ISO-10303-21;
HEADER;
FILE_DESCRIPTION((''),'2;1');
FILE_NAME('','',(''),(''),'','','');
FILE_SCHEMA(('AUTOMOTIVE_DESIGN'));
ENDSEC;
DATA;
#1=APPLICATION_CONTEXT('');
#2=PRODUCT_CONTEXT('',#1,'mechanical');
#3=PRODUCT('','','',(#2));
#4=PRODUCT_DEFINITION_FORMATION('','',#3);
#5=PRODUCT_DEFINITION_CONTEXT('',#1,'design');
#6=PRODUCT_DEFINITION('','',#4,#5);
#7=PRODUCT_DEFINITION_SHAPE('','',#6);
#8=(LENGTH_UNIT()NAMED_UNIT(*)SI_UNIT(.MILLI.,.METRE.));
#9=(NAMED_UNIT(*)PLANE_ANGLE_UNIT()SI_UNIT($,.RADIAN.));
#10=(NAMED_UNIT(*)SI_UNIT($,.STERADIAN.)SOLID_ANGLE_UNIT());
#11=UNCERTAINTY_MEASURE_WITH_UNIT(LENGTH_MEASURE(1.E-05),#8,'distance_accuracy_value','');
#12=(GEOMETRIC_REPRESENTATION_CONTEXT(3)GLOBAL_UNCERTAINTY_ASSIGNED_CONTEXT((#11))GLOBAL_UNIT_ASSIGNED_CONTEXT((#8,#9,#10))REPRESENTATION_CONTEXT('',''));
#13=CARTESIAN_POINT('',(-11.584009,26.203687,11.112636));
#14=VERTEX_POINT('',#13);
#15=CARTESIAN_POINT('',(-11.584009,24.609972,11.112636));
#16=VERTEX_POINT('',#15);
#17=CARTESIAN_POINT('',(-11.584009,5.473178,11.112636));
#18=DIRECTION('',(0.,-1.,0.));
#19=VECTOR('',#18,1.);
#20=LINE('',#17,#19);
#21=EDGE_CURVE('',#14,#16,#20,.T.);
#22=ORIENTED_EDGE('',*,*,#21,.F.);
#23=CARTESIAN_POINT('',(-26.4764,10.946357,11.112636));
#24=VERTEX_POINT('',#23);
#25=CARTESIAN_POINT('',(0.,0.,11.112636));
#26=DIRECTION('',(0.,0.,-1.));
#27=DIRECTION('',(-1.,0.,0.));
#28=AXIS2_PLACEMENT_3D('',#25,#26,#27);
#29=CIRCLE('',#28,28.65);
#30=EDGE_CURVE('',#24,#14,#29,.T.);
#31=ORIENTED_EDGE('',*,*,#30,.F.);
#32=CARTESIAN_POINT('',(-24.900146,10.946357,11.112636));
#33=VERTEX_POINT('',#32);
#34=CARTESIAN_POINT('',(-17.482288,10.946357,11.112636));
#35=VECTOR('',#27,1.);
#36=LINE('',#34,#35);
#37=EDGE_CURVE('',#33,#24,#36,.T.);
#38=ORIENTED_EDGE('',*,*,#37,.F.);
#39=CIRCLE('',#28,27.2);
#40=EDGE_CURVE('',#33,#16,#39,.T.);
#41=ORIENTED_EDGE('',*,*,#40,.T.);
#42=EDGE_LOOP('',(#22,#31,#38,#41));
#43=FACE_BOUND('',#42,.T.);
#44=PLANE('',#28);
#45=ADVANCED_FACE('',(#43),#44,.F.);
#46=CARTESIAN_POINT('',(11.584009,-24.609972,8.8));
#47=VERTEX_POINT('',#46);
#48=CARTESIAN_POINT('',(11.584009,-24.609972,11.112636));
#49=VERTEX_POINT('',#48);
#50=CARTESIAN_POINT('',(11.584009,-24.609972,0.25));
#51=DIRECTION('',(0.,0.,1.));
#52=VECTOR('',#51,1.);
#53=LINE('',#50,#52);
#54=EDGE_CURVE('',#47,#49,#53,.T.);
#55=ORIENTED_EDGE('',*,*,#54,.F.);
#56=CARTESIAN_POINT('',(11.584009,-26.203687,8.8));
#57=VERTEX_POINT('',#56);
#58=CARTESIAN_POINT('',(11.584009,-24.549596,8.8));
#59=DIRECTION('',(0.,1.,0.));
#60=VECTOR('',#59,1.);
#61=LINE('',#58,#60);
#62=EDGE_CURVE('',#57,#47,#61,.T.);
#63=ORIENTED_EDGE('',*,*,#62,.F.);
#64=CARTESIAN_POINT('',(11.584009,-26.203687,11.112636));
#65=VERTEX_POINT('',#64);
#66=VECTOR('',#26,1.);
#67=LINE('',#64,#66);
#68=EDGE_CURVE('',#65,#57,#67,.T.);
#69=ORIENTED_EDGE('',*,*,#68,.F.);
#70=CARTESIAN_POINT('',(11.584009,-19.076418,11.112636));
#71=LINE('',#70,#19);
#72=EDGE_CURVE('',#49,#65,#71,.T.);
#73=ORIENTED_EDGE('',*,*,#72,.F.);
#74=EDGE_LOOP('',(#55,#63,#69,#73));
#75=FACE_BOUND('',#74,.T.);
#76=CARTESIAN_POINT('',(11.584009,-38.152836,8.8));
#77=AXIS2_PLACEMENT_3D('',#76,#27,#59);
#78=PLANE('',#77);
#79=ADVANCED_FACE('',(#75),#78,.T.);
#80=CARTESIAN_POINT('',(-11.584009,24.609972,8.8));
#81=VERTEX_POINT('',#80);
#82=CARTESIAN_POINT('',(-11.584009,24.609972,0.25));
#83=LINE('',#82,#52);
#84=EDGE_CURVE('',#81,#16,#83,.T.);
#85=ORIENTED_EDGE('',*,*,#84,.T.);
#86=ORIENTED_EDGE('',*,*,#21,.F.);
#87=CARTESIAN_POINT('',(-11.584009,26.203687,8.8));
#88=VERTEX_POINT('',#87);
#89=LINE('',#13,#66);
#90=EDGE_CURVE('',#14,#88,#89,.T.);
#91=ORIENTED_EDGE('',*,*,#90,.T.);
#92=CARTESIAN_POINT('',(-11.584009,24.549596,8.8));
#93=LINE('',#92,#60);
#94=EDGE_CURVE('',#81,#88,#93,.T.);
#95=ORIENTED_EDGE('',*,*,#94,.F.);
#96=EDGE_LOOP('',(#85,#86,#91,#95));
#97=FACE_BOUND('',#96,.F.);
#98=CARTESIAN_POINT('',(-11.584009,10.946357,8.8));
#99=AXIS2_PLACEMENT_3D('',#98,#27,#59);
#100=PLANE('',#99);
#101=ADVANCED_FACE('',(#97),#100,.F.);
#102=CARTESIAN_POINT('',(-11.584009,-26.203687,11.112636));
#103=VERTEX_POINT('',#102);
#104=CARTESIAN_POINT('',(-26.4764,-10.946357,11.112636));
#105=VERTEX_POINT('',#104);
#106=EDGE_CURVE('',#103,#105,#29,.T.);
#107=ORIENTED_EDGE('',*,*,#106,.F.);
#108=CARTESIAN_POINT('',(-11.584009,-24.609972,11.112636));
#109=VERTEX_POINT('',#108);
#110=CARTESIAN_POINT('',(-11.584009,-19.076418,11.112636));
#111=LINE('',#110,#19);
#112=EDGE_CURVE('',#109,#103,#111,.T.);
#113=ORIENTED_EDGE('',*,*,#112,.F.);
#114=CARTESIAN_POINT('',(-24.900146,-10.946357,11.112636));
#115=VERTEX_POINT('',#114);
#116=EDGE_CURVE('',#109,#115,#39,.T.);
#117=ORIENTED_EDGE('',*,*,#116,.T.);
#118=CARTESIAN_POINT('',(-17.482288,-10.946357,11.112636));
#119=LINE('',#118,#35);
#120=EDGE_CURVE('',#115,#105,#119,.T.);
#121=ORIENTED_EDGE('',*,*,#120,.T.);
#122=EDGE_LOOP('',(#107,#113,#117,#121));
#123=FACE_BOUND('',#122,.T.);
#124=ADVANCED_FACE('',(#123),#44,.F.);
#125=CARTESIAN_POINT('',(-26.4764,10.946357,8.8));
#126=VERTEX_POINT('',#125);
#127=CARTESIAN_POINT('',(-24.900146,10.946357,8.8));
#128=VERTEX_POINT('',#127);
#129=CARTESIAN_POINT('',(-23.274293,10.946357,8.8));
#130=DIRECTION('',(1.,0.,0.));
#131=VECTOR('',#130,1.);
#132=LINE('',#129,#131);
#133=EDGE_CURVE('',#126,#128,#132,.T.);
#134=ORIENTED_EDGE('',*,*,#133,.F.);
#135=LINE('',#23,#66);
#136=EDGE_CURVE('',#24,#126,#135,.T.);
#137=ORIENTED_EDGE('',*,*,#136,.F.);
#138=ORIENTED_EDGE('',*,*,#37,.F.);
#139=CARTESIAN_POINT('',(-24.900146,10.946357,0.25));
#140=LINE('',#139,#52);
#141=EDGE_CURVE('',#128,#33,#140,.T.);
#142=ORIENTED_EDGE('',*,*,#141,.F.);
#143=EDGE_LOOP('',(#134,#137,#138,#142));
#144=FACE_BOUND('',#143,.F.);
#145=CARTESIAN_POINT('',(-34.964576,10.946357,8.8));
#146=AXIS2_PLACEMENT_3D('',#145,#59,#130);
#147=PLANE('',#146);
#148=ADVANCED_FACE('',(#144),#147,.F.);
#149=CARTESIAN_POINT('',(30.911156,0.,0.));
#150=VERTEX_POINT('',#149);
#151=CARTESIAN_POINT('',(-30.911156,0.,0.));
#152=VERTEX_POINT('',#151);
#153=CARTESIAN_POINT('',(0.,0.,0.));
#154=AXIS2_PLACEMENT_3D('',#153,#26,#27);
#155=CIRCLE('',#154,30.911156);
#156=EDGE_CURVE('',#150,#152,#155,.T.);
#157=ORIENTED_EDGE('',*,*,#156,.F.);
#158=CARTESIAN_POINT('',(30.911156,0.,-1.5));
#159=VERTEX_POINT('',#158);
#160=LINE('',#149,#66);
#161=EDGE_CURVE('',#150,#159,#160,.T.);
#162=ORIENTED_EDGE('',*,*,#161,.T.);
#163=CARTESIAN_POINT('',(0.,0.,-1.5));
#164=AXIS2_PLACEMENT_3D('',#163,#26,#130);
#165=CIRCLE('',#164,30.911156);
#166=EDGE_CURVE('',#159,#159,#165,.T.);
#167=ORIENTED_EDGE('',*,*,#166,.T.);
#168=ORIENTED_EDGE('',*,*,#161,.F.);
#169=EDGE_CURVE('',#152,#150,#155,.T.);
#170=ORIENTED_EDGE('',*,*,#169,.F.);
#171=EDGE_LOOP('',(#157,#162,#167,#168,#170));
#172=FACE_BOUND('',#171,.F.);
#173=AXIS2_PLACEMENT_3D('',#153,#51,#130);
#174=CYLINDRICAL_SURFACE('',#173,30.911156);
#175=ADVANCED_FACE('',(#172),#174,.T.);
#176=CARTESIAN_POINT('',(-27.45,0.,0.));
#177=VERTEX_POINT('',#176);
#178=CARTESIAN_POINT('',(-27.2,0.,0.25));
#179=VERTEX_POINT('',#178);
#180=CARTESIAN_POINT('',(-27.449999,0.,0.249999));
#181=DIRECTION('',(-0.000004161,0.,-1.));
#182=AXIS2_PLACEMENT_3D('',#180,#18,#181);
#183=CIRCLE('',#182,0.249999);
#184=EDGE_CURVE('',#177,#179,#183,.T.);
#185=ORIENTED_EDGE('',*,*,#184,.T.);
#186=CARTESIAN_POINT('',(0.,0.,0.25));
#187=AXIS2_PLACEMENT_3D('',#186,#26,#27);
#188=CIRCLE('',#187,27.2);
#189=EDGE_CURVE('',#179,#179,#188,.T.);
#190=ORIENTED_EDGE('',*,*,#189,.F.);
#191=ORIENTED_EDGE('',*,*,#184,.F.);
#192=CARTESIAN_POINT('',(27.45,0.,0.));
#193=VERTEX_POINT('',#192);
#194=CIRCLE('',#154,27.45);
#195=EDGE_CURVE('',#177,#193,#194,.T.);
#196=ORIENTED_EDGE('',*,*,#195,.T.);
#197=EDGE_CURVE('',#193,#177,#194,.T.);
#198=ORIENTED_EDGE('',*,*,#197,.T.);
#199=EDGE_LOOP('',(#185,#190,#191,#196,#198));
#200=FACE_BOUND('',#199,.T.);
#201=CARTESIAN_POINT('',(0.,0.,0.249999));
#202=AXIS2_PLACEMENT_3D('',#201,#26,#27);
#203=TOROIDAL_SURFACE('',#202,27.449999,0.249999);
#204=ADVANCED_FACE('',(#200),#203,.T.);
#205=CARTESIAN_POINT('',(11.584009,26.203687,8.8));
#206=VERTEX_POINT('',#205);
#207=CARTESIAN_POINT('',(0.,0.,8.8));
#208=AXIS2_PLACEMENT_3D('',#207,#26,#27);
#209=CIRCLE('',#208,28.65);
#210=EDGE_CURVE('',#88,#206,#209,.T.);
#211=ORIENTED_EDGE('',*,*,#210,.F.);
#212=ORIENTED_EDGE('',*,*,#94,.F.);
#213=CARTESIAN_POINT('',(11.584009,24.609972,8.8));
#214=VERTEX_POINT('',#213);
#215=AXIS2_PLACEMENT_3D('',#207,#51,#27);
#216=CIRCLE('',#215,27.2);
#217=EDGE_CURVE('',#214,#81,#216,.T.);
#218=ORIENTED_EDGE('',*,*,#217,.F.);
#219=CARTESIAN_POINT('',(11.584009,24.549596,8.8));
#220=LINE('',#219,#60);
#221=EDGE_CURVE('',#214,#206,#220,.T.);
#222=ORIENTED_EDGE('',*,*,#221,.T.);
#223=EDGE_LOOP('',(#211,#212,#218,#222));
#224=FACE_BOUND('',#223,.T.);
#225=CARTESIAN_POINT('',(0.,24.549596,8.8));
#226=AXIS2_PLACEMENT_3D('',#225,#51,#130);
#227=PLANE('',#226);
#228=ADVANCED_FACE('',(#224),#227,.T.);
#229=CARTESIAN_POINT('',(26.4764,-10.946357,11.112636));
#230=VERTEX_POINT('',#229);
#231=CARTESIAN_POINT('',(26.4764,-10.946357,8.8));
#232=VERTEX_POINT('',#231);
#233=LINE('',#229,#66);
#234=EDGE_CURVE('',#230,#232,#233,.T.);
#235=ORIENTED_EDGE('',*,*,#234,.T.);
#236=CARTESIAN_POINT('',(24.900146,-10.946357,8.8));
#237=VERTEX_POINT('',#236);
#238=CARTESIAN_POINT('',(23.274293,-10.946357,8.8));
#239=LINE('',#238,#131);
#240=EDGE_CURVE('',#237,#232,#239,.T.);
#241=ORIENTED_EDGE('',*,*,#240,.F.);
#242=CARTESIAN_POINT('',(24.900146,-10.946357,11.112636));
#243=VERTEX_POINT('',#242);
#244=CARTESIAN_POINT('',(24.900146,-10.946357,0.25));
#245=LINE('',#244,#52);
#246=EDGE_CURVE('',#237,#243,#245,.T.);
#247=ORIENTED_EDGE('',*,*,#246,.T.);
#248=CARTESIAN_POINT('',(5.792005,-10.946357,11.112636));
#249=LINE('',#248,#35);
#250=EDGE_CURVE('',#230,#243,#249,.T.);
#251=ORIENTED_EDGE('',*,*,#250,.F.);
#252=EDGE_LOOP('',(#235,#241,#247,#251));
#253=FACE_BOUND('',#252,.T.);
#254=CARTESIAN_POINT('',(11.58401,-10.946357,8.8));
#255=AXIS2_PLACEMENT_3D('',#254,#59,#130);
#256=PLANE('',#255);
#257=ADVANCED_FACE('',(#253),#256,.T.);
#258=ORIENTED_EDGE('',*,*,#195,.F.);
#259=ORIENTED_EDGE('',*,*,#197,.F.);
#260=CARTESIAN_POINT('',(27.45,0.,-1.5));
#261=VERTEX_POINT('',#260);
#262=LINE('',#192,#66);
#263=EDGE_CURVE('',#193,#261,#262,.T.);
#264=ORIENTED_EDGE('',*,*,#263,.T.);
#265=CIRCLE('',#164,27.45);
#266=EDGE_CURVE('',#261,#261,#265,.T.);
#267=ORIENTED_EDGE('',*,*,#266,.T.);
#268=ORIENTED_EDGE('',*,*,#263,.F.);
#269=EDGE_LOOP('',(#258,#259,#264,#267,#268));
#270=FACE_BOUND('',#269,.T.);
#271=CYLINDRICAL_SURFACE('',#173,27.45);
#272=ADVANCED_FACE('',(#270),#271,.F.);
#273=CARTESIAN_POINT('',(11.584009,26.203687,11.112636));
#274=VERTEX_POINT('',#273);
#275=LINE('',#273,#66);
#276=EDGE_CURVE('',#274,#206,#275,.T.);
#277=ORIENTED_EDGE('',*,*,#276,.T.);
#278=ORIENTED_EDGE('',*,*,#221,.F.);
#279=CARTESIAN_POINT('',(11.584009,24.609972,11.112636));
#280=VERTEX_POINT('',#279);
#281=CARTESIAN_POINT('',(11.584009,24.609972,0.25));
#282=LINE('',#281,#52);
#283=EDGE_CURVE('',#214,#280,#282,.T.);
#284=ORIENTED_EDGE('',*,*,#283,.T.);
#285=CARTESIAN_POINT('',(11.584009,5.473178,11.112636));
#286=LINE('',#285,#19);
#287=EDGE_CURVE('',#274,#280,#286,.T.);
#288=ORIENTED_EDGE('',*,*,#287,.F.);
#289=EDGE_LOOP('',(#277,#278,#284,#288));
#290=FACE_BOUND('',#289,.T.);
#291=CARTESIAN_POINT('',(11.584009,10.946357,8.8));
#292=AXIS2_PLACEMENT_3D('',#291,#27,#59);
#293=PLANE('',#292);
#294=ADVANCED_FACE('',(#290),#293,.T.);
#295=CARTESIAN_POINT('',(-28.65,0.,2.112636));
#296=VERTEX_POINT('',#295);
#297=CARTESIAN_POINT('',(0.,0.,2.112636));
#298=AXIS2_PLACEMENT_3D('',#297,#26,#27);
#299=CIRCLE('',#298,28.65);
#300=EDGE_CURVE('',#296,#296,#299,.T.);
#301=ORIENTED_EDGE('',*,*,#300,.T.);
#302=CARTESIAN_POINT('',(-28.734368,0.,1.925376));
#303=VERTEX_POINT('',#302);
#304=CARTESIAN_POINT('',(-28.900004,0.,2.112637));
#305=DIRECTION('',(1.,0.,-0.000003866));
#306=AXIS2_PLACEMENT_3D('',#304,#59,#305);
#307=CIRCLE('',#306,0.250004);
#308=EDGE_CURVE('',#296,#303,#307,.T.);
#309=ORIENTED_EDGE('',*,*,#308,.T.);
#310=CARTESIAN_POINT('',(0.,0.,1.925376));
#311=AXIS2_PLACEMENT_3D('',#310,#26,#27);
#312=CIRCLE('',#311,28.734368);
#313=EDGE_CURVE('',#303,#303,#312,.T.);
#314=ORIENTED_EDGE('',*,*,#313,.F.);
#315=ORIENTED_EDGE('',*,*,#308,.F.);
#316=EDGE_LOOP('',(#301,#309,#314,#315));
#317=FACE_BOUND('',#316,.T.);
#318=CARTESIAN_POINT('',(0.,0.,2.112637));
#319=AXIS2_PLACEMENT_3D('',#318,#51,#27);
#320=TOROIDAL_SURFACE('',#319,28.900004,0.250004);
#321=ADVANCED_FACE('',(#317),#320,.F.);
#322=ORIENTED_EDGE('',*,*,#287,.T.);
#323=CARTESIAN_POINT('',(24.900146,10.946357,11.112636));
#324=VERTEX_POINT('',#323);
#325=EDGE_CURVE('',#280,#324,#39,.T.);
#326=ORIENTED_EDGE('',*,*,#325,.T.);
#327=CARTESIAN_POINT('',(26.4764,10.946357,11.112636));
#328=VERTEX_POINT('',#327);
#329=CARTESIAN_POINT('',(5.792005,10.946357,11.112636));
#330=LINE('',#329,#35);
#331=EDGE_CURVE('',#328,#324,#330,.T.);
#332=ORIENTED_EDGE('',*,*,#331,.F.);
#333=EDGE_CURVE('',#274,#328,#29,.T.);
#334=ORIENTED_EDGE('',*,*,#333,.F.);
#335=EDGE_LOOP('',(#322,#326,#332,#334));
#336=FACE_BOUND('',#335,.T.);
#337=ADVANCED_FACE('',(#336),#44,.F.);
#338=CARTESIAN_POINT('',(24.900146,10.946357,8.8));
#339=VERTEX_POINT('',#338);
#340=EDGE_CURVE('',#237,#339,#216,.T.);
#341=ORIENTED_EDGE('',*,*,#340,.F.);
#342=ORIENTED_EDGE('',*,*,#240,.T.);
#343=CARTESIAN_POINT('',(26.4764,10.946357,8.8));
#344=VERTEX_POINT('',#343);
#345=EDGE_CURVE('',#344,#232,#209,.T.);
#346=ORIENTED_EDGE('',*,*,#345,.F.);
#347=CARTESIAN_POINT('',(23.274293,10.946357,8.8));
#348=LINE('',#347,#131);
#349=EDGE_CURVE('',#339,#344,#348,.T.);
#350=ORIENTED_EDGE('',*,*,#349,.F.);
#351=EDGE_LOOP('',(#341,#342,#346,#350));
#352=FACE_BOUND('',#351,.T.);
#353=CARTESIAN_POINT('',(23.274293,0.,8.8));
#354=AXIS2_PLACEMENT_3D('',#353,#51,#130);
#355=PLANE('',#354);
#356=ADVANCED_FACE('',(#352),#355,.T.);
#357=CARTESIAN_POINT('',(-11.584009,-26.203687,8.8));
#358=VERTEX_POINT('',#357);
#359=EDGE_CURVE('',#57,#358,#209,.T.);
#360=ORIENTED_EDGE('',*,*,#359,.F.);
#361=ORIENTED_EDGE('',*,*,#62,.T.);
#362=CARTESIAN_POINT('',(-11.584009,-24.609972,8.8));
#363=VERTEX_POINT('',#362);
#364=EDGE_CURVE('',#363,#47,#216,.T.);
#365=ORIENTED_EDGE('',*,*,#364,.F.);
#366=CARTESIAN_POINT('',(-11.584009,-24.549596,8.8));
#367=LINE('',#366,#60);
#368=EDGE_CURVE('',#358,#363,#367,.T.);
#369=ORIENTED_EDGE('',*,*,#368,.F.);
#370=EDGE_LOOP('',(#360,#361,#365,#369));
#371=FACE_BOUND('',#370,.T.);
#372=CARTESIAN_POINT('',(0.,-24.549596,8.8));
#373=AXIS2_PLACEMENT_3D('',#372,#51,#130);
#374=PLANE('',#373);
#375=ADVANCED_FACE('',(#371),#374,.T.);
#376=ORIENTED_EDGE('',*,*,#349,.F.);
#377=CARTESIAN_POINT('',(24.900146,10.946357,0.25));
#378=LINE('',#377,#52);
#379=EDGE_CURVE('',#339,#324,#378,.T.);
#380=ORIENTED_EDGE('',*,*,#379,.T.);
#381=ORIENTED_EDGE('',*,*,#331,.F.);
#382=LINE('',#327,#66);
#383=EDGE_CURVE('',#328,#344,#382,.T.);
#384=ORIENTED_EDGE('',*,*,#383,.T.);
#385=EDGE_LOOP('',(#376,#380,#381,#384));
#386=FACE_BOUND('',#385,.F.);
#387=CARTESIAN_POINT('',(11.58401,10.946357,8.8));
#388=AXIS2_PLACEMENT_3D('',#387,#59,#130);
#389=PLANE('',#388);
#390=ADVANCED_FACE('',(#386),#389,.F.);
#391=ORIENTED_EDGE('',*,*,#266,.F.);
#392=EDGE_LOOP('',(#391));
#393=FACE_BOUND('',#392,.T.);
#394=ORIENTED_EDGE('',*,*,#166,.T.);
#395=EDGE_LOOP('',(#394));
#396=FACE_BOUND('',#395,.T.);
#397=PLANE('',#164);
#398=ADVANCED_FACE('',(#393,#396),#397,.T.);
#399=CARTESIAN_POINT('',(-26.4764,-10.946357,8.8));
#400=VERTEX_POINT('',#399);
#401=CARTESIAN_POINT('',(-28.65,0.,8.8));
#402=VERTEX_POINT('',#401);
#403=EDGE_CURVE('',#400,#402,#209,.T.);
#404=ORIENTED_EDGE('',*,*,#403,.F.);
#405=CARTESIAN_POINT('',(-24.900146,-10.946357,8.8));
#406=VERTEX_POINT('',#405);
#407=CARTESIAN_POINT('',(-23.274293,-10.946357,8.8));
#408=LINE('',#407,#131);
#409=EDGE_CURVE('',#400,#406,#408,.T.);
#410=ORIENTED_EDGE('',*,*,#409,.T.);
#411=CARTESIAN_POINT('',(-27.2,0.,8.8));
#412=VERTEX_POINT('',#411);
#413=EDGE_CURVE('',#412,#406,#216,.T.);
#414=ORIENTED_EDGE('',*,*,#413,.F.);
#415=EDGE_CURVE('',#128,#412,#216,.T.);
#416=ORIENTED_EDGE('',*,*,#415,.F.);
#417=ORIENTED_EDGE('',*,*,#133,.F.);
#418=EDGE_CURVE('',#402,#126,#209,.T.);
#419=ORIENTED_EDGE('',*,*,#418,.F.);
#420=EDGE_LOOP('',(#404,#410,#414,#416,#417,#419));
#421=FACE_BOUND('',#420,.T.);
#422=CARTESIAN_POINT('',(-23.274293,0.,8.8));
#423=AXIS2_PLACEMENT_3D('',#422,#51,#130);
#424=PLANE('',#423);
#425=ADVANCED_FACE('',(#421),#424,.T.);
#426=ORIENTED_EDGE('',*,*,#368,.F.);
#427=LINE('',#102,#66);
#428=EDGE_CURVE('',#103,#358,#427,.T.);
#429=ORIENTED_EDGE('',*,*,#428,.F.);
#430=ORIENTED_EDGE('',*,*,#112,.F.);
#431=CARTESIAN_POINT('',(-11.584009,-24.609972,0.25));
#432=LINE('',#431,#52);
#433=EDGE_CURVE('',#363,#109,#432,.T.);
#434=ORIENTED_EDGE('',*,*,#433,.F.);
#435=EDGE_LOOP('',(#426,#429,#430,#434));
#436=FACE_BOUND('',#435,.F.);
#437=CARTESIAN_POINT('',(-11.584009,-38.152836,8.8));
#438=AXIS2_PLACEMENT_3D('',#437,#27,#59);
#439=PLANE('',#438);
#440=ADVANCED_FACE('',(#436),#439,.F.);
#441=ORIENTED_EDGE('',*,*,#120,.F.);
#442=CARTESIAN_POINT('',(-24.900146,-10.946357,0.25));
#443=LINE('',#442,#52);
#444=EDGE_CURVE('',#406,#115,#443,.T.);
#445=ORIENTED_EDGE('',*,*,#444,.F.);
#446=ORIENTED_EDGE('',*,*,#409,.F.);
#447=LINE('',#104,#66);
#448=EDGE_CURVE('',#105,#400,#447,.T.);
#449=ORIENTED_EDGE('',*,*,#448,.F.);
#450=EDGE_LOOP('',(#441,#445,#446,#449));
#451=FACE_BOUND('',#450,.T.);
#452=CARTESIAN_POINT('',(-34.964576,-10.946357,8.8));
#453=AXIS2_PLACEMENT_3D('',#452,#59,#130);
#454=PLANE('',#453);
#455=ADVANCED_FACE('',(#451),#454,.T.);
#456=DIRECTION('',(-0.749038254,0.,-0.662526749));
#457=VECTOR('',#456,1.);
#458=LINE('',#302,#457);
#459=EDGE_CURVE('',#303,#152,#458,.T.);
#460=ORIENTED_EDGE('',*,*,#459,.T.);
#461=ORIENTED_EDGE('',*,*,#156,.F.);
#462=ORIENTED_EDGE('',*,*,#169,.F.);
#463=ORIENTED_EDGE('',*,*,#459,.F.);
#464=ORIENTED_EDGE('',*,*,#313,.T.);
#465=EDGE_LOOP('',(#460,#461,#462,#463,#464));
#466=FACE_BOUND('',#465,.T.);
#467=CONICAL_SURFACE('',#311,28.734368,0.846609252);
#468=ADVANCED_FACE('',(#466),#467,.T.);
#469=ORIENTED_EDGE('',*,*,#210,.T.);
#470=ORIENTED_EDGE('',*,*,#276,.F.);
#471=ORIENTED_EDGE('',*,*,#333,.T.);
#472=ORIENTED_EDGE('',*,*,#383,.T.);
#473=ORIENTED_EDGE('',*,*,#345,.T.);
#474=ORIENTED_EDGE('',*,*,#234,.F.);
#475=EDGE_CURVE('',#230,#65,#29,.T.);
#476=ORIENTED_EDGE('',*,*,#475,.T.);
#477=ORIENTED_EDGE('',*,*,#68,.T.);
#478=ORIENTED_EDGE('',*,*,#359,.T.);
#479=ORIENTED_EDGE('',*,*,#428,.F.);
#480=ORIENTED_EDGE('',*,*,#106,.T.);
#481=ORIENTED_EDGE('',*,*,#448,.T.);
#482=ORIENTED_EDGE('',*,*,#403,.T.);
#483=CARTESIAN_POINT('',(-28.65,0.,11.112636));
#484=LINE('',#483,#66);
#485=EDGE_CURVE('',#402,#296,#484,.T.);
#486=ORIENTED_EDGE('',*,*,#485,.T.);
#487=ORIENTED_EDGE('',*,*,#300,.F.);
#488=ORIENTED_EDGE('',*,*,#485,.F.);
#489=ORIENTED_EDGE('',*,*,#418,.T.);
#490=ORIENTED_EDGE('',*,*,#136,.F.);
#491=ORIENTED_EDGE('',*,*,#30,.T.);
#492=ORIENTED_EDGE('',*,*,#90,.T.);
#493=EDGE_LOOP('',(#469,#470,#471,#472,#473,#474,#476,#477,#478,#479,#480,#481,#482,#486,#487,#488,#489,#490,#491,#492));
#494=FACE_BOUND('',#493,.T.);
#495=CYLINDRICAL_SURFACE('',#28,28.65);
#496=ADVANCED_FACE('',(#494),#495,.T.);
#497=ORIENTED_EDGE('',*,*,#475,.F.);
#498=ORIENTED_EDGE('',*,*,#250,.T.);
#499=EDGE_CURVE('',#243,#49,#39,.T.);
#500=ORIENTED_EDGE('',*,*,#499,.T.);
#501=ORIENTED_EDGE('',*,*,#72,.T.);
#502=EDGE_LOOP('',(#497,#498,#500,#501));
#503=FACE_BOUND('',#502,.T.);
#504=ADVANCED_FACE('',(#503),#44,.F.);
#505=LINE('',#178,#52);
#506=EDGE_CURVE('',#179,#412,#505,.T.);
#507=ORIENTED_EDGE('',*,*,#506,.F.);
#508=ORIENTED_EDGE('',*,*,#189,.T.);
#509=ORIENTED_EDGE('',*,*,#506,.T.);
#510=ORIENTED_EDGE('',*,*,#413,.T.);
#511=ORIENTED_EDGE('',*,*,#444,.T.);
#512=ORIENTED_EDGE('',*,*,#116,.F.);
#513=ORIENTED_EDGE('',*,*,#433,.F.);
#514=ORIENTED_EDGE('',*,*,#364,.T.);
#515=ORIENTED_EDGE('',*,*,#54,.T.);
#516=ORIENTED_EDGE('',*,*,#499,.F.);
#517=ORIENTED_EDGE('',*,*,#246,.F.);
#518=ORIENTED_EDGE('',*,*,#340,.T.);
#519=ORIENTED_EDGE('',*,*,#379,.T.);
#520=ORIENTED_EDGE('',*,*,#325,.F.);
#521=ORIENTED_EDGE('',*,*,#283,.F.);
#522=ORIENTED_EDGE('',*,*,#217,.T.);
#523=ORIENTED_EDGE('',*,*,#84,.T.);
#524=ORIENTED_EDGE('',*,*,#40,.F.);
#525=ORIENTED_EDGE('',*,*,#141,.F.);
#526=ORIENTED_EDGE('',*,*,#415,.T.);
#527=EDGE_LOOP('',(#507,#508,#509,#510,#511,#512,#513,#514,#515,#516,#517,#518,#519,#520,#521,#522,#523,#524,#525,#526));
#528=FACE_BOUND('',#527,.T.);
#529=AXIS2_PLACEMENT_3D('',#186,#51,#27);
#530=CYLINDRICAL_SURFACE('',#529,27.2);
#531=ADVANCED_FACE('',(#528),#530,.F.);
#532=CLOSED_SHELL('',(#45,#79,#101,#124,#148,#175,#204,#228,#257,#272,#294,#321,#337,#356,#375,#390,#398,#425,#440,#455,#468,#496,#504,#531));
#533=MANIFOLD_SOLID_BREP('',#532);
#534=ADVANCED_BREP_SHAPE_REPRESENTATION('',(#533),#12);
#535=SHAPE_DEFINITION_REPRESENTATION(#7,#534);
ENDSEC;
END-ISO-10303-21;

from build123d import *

# Parameters (mm, degrees)
F3_W        = 23.168018
F3_H        = 27.206479
F3_W_2      = 23.380567
F3_H_2      = 21.892714
F4_DEPTH    = 4
F1_FACE_R   = 30.911156
F1_FACE_R_2 = 27.45
F5_DEPTH    = 1.5


with BuildPart() as f1:
    # F0 (on Front) → F1 (revolve)
    with BuildSketch(Plane.XZ):
        with BuildLine():
            Line((-28.734368, 1.925376), (-30.911156, 0))
            Line((-30.911156, 0), (-27.45, 0))
            ThreePointArc((-27.45, 0), (-27.273223, 0.073223), (-27.2, 0.25))
            Line((-27.2, 0.25), (-27.2, 5))
            Line((-27.2, 5), (-27.2, 9.999887))
            Line((-27.2, 9.999887), (-27.2, 11.112636))
            Line((-27.2, 11.112636), (-28.65, 11.112636))
            Line((-28.65, 11.112636), (-28.65, 2.112636))
            ThreePointArc((-28.65, 2.112636), (-28.672066, 2.009942), (-28.734368, 1.925376))
        make_face()
    revolve(axis=Axis((0, 0, 10.43564), (0, 0, -1)))

    # F3 (on offset) → F4 (cut)
    with BuildSketch(Plane.XY.offset(8.8)):
        with Locations((0, 24.549596)):
            Rectangle(F3_W, F3_H)
        with Locations((-23.274293, 0)):
            Rectangle(F3_W_2, F3_H_2)
        with Locations((23.274293, 0)):
            Rectangle(F3_W_2, F3_H_2)
        with Locations((0, -24.549596)):
            Rectangle(F3_W, F3_H)
    extrude(amount=F4_DEPTH, mode=Mode.SUBTRACT)

    # F1_face (on face) → F5 (join)
    with BuildSketch(Plane(origin=(0, 0, 0), x_dir=(1, 0, 0), z_dir=(0, 0, -1))):
        Circle(F1_FACE_R)
        Circle(F1_FACE_R_2, mode=Mode.SUBTRACT)
    extrude(amount=F5_DEPTH)


solid = f1.part
